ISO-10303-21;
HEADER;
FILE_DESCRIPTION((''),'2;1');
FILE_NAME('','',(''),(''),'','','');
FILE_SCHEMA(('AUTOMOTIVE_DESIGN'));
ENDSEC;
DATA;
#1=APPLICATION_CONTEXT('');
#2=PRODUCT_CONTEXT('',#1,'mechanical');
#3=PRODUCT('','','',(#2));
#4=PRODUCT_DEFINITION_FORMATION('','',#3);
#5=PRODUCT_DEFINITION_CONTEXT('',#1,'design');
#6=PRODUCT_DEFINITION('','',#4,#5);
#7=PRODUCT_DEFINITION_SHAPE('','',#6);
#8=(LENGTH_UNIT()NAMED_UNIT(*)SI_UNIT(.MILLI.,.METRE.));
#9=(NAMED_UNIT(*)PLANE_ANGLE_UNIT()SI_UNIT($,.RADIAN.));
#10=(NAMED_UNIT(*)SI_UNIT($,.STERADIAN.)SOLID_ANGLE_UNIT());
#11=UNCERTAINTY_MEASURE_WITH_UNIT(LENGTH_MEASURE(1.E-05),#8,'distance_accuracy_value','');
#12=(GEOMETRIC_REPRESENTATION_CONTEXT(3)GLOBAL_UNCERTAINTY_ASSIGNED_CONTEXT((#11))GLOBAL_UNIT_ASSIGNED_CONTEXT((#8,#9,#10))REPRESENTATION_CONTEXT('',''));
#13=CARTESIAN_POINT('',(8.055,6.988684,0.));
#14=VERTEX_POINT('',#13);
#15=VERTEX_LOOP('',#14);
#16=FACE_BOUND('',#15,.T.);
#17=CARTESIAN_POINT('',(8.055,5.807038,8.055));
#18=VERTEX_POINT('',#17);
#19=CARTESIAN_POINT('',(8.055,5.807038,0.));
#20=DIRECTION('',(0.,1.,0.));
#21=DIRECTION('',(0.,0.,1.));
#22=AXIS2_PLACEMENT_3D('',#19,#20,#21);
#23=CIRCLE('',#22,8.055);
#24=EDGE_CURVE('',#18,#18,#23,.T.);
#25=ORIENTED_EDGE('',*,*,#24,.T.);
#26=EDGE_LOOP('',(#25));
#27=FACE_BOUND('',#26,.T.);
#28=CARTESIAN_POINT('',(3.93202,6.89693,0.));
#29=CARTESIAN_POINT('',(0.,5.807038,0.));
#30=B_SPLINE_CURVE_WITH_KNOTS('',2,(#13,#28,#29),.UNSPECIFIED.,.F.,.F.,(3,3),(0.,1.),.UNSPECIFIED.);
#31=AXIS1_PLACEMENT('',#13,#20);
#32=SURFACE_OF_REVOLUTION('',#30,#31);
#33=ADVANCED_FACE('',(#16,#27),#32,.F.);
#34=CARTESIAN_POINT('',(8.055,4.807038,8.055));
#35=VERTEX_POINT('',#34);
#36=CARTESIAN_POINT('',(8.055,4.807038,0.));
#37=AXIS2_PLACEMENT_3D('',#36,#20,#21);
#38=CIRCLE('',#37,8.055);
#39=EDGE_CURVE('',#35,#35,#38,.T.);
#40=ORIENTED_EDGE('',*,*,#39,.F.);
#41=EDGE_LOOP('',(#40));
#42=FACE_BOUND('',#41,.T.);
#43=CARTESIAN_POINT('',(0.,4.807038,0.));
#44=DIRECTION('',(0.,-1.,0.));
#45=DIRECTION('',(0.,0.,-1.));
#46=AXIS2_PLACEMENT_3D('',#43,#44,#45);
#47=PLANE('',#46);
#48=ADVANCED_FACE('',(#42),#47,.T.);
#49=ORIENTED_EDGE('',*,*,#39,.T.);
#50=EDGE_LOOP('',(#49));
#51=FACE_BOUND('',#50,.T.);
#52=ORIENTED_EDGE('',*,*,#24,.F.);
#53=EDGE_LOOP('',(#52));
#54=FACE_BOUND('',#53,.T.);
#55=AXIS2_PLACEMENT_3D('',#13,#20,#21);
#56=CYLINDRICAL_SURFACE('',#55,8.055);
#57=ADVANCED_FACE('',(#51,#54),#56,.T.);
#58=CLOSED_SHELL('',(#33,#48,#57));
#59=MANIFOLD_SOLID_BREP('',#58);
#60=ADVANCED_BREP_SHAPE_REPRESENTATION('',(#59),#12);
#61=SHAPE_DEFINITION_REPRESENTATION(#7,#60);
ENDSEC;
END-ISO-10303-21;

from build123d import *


with BuildPart() as part:
    # Sketch1 → Revolve1 (revolve)
    with BuildSketch(Plane.XY):
        with BuildLine():
            Line((0, 4.807038322), (0, 5.807038322))
            add(Edge.make_bspline(
                [(0, 5.807038322), (3.932019928, 6.896929891), (8.055, 6.988683552)],
                knots=[0, 0, 0, 1, 1, 1], degree=2))
            Line((8.055, 6.988683552), (8.055, 4.807038322))
            Line((8.055, 4.807038322), (0, 4.807038322))
        make_face()
    revolve(axis=Axis((8.055, 6.988683552, 0), (0, -1, 0)))


solid = part.part
